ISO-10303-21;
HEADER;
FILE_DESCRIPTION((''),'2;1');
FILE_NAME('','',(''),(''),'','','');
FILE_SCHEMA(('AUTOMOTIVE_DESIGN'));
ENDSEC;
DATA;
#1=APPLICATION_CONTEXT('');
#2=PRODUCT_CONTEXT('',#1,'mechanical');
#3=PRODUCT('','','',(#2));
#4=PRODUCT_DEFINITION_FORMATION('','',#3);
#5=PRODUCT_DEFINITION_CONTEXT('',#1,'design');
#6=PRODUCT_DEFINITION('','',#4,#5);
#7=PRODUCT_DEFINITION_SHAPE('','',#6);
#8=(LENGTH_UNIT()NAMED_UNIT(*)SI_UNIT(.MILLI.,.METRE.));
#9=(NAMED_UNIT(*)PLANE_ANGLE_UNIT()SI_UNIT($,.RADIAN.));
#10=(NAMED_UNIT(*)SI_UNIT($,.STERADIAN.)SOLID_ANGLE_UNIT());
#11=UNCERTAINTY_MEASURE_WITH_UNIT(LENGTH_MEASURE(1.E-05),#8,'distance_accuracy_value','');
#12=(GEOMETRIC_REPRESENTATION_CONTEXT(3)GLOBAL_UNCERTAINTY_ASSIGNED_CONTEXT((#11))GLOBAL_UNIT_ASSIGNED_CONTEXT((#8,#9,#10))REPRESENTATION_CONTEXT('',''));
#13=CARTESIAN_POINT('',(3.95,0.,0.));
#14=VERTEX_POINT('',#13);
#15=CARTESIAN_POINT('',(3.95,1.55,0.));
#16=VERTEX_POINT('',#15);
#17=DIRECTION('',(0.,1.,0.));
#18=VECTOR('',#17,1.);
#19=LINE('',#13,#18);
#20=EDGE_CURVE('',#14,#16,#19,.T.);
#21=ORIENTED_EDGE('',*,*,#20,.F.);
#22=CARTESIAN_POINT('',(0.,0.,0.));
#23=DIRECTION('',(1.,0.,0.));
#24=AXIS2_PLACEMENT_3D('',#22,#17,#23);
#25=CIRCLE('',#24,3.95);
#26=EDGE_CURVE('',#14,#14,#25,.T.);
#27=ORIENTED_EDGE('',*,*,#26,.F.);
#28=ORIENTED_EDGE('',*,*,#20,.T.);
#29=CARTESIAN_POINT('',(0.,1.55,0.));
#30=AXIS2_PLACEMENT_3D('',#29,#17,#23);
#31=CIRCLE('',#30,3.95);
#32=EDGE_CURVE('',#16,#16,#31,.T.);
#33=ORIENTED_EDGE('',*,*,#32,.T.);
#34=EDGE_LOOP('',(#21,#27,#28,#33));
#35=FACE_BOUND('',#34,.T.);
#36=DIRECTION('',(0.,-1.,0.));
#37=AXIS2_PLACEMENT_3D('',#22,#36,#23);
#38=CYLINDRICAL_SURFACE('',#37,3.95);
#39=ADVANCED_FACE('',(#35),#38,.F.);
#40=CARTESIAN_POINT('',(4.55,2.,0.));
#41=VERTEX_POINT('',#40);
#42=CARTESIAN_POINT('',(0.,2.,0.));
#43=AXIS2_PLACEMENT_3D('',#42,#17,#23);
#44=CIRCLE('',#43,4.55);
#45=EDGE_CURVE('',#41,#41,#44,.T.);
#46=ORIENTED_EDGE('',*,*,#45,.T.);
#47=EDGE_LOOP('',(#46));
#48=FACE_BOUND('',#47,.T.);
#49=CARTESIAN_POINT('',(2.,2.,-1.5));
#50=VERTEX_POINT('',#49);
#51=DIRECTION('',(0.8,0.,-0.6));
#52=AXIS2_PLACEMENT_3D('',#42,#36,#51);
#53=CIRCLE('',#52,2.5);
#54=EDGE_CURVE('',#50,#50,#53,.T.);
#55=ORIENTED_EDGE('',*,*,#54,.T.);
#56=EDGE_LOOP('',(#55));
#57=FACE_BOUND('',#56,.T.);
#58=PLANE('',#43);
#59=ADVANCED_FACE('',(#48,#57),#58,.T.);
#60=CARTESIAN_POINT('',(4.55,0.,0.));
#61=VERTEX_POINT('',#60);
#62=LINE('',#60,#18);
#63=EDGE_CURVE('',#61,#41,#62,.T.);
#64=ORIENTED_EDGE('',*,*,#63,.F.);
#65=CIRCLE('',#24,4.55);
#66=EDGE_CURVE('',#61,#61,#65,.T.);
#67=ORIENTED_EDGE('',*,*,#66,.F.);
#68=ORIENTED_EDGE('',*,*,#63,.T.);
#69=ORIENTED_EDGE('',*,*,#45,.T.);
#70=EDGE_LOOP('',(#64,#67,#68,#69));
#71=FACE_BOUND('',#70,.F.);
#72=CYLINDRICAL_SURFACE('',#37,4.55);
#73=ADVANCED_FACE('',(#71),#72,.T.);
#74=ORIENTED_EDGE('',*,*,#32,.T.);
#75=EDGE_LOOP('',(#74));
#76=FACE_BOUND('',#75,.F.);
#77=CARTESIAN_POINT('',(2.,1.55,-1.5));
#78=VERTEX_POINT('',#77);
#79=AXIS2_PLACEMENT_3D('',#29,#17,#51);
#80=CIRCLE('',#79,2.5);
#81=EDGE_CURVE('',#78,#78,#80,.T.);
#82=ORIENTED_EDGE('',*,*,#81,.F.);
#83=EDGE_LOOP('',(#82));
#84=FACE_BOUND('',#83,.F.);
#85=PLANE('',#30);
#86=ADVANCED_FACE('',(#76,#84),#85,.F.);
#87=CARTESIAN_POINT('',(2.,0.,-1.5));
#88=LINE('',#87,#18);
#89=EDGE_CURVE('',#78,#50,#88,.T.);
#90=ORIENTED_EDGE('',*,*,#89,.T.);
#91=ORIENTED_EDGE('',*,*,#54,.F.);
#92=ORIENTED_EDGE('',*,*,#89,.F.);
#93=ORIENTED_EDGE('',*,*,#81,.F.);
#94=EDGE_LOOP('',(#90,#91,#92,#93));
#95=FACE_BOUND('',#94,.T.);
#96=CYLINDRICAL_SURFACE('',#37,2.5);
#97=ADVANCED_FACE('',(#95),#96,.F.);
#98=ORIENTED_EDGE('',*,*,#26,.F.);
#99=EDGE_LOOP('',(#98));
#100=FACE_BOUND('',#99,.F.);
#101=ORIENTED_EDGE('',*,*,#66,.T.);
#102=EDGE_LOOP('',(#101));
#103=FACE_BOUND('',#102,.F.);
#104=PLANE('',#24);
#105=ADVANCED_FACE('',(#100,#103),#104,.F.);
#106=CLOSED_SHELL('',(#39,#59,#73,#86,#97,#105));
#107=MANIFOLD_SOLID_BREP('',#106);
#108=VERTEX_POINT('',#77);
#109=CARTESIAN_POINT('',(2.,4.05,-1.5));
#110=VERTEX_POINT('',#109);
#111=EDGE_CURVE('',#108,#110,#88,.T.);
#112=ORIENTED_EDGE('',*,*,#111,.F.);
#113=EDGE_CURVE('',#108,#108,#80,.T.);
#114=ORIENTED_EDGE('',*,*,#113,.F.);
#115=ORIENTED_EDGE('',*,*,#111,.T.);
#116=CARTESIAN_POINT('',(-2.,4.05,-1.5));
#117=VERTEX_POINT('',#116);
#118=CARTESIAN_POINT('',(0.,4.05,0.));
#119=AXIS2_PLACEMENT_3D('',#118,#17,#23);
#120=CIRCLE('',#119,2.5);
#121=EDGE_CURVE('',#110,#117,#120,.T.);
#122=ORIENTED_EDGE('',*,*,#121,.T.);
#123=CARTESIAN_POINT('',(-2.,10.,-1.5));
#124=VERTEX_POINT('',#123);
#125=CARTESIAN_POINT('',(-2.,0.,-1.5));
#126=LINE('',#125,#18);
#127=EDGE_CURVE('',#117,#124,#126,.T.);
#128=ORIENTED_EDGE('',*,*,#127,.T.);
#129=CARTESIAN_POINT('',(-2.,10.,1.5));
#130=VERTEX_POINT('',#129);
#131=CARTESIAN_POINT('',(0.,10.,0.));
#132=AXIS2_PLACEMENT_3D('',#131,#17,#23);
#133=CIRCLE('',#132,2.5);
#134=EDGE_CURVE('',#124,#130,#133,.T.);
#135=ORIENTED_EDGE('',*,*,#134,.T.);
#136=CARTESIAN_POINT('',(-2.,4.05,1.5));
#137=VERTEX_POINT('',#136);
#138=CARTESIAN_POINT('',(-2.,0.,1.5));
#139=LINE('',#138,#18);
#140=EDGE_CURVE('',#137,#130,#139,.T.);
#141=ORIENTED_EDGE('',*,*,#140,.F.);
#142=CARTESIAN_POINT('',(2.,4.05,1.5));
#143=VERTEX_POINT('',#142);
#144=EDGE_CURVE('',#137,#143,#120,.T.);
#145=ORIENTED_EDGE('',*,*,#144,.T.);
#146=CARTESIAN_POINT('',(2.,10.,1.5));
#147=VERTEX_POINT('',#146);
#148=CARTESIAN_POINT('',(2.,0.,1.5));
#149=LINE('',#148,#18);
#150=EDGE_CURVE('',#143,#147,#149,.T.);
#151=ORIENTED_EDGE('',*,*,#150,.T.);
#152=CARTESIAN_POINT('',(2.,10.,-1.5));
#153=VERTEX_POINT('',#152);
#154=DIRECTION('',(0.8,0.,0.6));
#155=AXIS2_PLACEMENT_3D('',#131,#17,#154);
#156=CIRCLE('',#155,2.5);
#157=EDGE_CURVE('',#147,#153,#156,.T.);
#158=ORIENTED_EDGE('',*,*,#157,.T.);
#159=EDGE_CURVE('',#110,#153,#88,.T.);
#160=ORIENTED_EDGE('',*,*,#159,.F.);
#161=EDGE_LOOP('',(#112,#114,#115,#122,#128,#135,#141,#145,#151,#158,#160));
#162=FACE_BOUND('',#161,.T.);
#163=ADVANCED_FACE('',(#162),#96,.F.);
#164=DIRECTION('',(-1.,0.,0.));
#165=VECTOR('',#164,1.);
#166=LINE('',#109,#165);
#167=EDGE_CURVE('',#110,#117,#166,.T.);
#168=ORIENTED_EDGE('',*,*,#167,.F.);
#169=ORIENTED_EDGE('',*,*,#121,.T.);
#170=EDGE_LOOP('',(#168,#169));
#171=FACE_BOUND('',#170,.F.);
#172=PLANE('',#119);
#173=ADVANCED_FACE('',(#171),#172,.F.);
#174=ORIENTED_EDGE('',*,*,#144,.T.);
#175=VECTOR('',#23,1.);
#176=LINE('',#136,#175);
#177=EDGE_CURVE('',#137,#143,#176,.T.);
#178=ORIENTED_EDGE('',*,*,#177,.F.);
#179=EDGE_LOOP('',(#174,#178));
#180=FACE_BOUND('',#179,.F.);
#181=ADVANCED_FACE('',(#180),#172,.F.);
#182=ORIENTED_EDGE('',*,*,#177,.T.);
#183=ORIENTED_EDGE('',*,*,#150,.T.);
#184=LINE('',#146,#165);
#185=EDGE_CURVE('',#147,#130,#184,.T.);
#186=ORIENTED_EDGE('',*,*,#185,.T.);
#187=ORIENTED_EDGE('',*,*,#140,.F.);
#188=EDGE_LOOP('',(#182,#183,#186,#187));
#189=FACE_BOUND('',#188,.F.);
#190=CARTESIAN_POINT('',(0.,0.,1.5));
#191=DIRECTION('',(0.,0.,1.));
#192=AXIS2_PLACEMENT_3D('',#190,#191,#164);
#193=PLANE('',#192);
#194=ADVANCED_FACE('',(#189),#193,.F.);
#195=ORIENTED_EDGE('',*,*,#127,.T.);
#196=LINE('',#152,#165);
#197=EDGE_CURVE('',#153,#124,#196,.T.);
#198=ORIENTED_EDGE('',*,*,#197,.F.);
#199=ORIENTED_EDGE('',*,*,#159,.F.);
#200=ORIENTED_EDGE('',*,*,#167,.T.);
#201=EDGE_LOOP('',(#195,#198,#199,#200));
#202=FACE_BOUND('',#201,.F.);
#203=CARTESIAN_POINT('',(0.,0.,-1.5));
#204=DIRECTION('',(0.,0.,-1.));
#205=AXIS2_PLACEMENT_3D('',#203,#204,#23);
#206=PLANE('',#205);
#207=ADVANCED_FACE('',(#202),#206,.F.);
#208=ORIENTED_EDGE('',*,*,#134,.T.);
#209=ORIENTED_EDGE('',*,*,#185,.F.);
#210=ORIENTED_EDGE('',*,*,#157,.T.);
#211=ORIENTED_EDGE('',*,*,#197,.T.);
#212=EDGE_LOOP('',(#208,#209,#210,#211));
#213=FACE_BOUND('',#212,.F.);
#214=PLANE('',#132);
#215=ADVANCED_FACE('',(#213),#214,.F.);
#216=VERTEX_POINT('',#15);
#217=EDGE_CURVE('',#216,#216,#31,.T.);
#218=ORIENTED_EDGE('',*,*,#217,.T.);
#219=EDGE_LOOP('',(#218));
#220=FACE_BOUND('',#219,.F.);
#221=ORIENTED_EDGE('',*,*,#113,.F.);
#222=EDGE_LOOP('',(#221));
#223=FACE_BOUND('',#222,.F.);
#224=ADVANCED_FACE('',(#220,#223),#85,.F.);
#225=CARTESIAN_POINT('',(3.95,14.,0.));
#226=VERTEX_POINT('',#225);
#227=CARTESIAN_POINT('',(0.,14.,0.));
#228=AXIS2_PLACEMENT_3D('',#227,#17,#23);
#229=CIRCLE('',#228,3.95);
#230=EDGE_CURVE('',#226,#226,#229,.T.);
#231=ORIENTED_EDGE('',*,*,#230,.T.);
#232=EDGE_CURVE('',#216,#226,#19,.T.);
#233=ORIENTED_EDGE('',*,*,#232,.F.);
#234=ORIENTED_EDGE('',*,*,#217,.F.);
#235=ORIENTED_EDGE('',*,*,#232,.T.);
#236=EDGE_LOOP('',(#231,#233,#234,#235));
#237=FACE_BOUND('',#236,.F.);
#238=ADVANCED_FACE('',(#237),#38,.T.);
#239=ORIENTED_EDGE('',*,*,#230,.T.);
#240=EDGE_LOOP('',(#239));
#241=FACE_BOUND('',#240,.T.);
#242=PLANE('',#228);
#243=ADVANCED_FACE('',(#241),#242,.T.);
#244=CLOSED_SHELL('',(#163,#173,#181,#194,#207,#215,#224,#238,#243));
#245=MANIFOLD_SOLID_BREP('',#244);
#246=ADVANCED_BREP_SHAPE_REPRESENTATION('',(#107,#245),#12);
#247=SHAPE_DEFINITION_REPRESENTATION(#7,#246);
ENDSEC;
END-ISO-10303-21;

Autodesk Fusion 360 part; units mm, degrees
sketch "Sketch1" plane through (0, 0, 0) normal (0, 1, 0) x (1, 0, 0)
  circle A0 centre (0, 0) radius 3.95
  circle A1 centre (0, 0) radius 2.5
  line L0 (0, 1.5) -> (2, 1.5)
  line L1 (0, 1.5) -> (-2, 1.5)
  line L2 (0, -1.5) -> (-2, -1.5)
  line L3 (0, -1.5) -> (2, -1.5)
  circle A2 centre (0, 0) radius 4.55
  dimension "d1" = 7.9
  dimension "d2" = 5
  dimension "d3" = 9.1
extrude "Extrude2" add sketch "Sketch1" along normal blind 14 contours A0 | A1 L0 L1 L2 L3 | A1 L0 L1 | A1 L2 L3 makes body 1
extrude "Extrude1" add sketch "Sketch1" along normal blind 2 separate body contours A0 | A1 L0 L1 L2 L3 | A1 L0 L1 | A1 L2 L3 | A2 makes body 2
extrude "Extrude3" cut sketch "Sketch1" along normal blind 1.55 contours A0 bodies 1 2
extrude "Extrude4" cut sketch "Sketch1" along normal blind 10 contours A1 L0 L1 L2 L3 bodies 1 2
extrude "Extrude5" cut sketch "Sketch1" along normal blind 4.05 contours A1 L0 L1 | A1 L2 L3 bodies 1 2
